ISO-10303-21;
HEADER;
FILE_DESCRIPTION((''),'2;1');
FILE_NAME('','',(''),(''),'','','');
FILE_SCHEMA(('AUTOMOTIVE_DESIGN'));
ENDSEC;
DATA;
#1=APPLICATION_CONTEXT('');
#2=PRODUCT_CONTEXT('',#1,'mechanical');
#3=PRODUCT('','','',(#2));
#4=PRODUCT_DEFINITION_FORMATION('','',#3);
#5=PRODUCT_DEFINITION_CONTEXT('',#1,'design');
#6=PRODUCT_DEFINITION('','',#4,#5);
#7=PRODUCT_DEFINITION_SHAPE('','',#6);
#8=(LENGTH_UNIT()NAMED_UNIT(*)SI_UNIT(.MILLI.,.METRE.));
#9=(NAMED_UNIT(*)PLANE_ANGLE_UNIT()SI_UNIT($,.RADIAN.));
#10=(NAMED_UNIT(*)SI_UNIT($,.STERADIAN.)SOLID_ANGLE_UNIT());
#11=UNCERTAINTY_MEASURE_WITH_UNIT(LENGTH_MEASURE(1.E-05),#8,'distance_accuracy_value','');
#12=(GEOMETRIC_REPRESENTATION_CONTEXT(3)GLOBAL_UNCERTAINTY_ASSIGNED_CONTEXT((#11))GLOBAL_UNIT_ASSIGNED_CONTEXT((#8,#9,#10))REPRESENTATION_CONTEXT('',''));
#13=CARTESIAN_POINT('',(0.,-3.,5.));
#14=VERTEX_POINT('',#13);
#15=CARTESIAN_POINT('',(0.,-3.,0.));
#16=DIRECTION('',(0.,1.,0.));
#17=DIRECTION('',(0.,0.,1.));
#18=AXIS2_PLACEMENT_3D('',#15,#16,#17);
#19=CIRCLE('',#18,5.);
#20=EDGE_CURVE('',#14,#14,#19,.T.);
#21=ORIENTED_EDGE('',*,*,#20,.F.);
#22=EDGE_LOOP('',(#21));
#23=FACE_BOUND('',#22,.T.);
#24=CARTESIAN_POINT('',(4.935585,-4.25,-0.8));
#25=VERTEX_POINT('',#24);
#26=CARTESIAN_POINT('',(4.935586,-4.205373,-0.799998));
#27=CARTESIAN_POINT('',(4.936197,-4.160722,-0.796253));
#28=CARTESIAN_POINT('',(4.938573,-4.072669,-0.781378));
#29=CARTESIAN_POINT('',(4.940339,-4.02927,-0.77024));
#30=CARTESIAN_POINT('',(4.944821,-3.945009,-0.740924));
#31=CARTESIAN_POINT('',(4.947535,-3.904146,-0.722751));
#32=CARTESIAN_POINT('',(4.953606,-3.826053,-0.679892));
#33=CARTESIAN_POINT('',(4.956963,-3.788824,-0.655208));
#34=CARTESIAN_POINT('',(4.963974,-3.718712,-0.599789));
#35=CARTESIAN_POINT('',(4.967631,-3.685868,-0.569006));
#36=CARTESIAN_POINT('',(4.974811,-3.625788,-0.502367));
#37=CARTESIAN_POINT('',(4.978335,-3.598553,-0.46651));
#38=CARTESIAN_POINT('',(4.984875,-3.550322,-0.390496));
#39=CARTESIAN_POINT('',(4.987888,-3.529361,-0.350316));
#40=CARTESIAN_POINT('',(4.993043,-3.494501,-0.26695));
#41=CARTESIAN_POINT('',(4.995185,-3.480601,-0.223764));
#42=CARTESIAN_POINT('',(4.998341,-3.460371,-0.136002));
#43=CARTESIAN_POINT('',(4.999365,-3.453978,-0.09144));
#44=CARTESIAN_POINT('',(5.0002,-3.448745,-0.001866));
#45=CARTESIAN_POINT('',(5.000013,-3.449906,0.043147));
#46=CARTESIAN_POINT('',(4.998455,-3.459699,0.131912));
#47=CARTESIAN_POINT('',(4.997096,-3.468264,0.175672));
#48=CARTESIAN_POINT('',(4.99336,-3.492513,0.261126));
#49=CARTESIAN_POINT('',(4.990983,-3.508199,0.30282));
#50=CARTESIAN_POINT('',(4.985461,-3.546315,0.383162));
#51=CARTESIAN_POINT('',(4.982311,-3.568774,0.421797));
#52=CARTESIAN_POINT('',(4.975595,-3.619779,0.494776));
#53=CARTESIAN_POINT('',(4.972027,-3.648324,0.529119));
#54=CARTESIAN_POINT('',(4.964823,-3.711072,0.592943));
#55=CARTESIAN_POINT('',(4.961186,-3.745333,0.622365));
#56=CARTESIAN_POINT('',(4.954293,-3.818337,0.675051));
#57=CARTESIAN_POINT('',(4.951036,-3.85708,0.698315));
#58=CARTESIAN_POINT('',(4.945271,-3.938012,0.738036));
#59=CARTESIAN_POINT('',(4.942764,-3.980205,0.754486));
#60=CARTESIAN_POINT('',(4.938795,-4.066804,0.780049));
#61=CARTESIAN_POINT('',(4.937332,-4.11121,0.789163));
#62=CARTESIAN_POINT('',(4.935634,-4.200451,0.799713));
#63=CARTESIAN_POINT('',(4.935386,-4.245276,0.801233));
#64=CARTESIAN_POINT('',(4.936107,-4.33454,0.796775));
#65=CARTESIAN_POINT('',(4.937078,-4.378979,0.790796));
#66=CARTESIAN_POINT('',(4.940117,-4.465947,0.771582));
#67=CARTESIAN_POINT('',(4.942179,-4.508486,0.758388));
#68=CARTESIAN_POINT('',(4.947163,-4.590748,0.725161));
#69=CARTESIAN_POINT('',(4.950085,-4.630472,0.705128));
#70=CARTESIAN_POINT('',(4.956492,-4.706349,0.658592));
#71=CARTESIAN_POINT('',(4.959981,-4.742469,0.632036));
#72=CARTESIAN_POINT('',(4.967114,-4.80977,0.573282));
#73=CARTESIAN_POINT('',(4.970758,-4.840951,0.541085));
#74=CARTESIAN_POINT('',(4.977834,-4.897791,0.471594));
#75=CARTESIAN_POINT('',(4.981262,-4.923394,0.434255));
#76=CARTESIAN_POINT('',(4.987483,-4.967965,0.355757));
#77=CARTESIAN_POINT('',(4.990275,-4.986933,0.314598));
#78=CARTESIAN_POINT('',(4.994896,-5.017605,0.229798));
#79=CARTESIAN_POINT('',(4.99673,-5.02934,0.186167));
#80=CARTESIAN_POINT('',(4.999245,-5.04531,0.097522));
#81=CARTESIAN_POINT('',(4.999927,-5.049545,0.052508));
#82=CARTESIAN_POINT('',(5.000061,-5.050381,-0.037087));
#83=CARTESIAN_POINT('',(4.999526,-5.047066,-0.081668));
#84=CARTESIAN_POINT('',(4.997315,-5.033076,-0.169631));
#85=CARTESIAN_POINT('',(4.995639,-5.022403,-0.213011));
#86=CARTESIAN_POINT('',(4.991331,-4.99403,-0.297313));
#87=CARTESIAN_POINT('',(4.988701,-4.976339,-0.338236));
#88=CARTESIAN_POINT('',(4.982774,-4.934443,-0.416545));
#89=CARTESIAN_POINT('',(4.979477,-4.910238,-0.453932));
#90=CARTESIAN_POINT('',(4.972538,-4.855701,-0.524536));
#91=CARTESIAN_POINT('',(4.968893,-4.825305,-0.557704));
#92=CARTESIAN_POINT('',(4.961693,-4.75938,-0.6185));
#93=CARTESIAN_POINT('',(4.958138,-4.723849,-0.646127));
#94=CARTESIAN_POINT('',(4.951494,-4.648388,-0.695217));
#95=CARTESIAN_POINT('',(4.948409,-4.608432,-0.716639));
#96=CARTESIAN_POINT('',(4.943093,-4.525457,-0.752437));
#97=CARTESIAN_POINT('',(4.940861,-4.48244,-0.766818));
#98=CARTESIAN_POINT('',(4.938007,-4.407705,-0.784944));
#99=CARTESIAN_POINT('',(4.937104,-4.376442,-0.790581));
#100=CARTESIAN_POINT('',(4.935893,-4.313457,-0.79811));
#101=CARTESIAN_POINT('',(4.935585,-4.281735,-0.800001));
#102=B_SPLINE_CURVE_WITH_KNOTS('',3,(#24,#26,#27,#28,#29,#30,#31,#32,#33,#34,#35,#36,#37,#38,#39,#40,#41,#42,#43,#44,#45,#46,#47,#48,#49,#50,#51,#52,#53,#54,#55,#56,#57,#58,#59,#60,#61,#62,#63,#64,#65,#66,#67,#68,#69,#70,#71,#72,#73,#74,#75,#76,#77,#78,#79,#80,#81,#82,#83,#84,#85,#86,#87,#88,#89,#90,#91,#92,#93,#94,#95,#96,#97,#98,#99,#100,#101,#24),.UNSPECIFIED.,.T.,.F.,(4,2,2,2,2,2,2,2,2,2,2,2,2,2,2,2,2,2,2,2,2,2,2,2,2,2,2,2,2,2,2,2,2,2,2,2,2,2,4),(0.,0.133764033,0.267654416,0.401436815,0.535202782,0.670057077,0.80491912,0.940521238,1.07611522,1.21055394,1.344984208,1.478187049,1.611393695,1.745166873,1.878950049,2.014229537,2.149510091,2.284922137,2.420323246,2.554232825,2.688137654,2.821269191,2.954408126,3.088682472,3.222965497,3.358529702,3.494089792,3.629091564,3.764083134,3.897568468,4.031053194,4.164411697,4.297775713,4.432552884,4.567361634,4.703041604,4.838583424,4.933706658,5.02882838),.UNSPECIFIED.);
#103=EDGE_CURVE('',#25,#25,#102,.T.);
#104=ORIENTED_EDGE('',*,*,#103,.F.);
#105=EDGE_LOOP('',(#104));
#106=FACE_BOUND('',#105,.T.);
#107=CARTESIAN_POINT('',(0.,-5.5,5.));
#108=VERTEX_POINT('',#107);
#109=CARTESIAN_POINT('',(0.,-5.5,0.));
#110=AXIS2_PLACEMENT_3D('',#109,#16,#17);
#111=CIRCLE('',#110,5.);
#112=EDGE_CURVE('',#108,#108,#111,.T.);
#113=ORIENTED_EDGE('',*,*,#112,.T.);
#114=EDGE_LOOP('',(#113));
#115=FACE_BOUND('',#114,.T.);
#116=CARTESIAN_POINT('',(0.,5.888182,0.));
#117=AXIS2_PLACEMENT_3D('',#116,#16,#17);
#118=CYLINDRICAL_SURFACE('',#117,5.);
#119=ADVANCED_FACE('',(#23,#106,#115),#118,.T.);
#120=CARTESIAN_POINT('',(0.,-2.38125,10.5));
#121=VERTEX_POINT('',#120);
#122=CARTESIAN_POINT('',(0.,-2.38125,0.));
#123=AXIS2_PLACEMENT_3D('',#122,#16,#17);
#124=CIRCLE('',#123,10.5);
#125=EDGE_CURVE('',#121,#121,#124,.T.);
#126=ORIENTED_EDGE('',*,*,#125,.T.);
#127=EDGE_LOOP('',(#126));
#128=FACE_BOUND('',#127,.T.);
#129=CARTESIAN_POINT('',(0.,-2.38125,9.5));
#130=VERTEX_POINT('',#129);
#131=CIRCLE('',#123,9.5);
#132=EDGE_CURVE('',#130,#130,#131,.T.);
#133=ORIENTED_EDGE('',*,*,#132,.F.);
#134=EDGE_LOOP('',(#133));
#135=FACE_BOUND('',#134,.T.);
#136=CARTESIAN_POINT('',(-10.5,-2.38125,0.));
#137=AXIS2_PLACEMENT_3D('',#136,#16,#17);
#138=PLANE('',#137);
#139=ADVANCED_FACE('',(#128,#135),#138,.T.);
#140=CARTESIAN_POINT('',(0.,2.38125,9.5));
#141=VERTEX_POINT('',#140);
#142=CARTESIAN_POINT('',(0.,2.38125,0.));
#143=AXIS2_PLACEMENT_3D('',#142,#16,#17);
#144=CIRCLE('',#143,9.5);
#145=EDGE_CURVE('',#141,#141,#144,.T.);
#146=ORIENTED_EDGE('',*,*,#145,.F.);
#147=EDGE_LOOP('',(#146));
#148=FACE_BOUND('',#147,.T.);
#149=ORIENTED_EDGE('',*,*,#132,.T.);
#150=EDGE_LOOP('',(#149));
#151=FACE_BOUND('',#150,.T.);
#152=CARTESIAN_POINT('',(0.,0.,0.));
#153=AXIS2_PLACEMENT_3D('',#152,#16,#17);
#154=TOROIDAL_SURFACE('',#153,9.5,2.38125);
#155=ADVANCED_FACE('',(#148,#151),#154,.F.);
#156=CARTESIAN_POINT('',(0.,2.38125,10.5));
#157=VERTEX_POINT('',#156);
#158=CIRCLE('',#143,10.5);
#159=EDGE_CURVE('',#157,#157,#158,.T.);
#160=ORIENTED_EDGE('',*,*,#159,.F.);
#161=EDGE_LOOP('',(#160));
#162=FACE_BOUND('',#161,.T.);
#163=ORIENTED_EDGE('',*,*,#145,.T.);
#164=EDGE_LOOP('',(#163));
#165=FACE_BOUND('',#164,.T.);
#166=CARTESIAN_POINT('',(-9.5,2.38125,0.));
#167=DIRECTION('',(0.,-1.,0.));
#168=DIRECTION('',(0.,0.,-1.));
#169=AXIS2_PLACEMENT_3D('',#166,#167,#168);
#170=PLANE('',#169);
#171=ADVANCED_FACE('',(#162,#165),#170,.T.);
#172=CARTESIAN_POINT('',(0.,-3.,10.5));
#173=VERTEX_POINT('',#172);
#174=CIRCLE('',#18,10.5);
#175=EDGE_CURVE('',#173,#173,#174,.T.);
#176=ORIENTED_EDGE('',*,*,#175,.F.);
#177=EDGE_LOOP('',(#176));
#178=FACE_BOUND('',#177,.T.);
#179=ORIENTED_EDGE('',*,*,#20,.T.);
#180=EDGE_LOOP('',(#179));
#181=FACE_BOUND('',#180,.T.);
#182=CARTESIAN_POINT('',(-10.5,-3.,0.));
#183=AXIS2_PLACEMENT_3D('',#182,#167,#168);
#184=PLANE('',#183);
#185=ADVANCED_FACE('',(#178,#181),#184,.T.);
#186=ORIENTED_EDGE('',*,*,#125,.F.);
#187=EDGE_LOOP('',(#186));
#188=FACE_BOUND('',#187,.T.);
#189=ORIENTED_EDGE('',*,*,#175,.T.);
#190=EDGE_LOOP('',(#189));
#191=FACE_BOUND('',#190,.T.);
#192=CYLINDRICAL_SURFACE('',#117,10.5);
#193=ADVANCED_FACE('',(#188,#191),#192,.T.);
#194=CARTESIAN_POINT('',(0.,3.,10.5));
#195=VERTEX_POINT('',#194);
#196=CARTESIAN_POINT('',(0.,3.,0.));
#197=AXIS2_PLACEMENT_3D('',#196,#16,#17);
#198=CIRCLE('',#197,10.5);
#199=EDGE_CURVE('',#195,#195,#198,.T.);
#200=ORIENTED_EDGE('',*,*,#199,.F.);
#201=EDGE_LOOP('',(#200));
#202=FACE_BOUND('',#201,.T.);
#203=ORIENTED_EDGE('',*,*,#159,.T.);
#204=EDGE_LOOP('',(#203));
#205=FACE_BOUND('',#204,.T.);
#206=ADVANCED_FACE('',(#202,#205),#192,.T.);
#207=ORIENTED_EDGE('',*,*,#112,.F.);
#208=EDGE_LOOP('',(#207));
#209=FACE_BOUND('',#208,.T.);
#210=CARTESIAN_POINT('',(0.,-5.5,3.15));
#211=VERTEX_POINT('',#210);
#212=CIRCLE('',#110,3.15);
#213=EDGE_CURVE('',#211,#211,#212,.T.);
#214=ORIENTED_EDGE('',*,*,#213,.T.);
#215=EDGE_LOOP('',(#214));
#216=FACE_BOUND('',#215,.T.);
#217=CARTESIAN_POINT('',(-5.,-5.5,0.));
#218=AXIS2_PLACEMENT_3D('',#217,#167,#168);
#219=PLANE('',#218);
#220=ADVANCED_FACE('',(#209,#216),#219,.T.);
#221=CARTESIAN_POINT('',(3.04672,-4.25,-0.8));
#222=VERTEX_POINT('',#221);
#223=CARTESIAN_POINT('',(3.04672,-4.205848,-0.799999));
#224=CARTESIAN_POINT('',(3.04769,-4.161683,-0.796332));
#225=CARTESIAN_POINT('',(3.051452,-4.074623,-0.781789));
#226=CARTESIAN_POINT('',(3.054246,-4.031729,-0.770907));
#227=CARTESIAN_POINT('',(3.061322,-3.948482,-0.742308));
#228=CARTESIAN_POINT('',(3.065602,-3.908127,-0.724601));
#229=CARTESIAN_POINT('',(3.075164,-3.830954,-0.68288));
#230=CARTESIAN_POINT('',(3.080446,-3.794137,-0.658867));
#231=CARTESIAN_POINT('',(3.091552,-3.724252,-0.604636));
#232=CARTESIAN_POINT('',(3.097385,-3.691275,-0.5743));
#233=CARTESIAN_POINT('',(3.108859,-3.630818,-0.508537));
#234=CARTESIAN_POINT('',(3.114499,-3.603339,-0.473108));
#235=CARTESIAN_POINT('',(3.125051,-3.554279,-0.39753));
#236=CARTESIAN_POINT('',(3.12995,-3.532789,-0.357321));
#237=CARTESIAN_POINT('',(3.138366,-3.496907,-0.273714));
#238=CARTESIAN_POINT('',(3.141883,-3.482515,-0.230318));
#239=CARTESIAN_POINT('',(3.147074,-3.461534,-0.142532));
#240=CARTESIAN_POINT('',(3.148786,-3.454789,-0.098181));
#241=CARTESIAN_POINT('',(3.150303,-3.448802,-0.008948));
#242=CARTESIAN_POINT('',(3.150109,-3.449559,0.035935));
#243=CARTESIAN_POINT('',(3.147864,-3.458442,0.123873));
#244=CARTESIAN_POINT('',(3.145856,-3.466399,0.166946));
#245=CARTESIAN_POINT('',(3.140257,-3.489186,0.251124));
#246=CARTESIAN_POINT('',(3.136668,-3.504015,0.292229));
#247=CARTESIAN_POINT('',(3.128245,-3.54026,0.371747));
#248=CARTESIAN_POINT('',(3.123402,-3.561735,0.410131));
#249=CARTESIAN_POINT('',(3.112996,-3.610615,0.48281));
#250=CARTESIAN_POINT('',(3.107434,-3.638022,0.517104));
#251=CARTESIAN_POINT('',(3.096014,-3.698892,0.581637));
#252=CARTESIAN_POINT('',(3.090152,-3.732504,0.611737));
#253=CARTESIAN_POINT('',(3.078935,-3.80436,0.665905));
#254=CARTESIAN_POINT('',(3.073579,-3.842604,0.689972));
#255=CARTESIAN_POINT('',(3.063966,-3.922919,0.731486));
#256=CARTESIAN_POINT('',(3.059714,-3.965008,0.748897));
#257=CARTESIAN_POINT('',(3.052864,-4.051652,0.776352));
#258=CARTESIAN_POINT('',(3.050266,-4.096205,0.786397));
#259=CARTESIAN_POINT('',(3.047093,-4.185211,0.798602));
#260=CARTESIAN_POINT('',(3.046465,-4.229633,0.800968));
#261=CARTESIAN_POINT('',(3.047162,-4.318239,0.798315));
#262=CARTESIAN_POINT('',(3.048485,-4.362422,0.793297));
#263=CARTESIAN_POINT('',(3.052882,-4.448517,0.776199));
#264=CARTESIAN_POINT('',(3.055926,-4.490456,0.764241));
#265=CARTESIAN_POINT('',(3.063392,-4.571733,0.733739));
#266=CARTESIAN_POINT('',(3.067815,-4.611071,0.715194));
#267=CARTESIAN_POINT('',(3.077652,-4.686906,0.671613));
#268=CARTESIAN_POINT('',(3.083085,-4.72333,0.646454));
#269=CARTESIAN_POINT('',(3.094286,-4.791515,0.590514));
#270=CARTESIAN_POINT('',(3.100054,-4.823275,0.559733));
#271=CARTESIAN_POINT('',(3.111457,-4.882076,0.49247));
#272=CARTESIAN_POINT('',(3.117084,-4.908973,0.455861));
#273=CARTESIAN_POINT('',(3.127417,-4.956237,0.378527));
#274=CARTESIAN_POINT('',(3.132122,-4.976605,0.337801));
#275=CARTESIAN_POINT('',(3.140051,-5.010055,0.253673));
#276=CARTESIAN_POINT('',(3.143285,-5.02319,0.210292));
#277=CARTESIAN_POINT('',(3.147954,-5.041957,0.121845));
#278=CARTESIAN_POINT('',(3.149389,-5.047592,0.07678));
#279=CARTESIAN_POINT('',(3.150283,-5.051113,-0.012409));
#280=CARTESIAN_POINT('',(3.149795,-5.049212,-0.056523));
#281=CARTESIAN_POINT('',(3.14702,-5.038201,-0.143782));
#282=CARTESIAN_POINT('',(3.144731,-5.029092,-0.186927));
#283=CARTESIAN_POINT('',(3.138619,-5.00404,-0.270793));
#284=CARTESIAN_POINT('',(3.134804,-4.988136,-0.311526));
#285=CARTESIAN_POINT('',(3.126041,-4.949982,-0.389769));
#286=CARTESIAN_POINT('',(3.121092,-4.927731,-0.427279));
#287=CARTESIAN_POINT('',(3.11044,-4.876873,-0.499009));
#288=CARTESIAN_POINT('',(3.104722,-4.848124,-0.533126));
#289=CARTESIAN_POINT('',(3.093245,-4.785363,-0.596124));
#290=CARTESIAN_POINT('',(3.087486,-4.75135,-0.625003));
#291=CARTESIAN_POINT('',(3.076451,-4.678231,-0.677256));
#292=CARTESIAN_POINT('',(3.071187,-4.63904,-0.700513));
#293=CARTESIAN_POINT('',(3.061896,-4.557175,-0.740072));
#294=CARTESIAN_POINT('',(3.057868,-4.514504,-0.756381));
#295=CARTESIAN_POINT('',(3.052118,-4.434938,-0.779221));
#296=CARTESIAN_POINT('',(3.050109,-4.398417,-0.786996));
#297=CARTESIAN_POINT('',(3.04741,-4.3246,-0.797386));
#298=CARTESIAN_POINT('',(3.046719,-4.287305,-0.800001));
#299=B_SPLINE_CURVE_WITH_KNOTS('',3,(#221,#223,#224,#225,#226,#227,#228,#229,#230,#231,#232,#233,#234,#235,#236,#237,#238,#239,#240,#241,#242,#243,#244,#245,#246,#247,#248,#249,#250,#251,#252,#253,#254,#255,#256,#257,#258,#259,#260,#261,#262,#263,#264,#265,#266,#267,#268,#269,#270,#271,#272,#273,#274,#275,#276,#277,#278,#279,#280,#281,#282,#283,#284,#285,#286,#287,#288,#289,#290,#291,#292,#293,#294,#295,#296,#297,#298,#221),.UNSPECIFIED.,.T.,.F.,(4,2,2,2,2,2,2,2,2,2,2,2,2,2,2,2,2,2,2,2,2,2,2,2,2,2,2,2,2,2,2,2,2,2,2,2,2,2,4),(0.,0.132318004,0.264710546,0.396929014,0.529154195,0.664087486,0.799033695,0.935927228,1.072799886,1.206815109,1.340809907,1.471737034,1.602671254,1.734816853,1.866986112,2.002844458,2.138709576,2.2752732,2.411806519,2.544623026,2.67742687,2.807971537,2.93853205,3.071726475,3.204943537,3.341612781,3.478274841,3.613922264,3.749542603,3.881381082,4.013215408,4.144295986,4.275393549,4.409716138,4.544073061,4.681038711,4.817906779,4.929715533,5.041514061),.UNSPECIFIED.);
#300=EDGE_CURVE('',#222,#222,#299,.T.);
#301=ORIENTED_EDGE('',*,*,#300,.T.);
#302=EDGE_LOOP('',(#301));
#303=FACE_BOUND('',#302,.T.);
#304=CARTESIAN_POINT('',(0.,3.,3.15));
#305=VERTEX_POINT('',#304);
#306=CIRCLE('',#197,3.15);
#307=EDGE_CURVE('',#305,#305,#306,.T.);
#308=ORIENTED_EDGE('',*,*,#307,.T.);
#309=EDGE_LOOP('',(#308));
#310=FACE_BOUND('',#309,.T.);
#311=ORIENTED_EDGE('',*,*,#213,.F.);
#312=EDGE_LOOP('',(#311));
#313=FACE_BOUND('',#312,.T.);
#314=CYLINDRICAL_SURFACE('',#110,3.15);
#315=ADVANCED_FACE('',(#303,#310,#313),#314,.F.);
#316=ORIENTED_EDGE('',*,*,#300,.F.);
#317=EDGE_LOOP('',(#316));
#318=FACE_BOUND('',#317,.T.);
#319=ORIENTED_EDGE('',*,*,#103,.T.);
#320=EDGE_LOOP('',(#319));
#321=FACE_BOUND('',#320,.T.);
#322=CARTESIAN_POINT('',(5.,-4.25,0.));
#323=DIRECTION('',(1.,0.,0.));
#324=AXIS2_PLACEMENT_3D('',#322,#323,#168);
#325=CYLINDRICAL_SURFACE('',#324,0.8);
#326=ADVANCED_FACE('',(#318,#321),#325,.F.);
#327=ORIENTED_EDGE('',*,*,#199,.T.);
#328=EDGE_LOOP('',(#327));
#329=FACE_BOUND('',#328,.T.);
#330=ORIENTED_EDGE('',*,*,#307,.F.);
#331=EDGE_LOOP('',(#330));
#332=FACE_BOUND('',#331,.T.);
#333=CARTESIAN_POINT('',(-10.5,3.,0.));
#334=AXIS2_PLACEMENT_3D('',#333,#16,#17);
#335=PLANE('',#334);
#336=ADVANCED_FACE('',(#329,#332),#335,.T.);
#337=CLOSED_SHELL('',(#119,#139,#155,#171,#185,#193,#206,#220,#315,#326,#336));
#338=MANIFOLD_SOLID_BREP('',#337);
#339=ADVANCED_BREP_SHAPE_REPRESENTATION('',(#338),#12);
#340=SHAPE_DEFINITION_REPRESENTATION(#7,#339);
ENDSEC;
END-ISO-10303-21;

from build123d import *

# Parameters (mm, degrees)
SKETCH2_R                  = 3.15
CUT_EXTRUDE1_DEPTH         = 18.109938632
M2X0_4_TAPPED_HOLE2_REACH  = 21.513
M2X0_4_TAPPED_HOLE2_BORE_R = 0.8


with BuildPart() as part:
    # Sketch1 → Revolve1 (revolve)
    with BuildSketch(Plane.XY, mode=Mode.PRIVATE) as revolve1_sk:
        with BuildLine():
            Line((-10.5, -3), (-5, -3))
            Line((-5, -3), (-5, -5.5))
            Line((-5, -5.5), (0, -5.5))
            Line((0, -5.5), (0, 3))
            Line((0, 3), (-10.5, 3))
            Line((-10.5, 3), (-10.5, 2.38125))
            Line((-10.5, 2.38125), (-9.5, 2.38125))
            ThreePointArc((-9.5, 2.38125), (-7.11875, 0), (-9.5, -2.38125))
            Line((-9.5, -2.38125), (-10.5, -2.38125))
            Line((-10.5, -2.38125), (-10.5, -3))
        make_face()
    revolve(revolve1_sk.sketch.rotate(Axis((0, 5.888182105, 0), (0, -1, 0)), 270), axis=Axis((0, 5.888182105, 0), (0, -1, 0)))

    # Sketch2 → Cut-Extrude1 (cut, through all)
    with BuildSketch(Plane(origin=(0, 3, 0), x_dir=(1, 0, 0), z_dir=(0, 1, 0))):
        with Locations(Location((0, 0, 0), (0, 0, 270))):
            Circle(SKETCH2_R)
    extrude(amount=-CUT_EXTRUDE1_DEPTH, mode=Mode.SUBTRACT)

    # M2x0.4 Tapped Hole2 bore → M2x0.4 Tapped Hole2 (cut, up to next)
    with BuildSketch(Plane(origin=(5, 0, 0), x_dir=(0, 0, -1), z_dir=(1, 0, 0)), mode=Mode.PRIVATE) as m2x0_4_tapped_hole2_sk1:
        with Locations((0, -4.25)):
            Circle(M2X0_4_TAPPED_HOLE2_BORE_R)
    m2x0_4_tapped_hole2_tool1 = extrude(m2x0_4_tapped_hole2_sk1.sketch, amount=-M2X0_4_TAPPED_HOLE2_REACH, mode=Mode.PRIVATE) & part.part
    add(m2x0_4_tapped_hole2_tool1.solids().sort_by_distance((5, -4.25, 0))[0], mode=Mode.SUBTRACT)


solid = part.part
